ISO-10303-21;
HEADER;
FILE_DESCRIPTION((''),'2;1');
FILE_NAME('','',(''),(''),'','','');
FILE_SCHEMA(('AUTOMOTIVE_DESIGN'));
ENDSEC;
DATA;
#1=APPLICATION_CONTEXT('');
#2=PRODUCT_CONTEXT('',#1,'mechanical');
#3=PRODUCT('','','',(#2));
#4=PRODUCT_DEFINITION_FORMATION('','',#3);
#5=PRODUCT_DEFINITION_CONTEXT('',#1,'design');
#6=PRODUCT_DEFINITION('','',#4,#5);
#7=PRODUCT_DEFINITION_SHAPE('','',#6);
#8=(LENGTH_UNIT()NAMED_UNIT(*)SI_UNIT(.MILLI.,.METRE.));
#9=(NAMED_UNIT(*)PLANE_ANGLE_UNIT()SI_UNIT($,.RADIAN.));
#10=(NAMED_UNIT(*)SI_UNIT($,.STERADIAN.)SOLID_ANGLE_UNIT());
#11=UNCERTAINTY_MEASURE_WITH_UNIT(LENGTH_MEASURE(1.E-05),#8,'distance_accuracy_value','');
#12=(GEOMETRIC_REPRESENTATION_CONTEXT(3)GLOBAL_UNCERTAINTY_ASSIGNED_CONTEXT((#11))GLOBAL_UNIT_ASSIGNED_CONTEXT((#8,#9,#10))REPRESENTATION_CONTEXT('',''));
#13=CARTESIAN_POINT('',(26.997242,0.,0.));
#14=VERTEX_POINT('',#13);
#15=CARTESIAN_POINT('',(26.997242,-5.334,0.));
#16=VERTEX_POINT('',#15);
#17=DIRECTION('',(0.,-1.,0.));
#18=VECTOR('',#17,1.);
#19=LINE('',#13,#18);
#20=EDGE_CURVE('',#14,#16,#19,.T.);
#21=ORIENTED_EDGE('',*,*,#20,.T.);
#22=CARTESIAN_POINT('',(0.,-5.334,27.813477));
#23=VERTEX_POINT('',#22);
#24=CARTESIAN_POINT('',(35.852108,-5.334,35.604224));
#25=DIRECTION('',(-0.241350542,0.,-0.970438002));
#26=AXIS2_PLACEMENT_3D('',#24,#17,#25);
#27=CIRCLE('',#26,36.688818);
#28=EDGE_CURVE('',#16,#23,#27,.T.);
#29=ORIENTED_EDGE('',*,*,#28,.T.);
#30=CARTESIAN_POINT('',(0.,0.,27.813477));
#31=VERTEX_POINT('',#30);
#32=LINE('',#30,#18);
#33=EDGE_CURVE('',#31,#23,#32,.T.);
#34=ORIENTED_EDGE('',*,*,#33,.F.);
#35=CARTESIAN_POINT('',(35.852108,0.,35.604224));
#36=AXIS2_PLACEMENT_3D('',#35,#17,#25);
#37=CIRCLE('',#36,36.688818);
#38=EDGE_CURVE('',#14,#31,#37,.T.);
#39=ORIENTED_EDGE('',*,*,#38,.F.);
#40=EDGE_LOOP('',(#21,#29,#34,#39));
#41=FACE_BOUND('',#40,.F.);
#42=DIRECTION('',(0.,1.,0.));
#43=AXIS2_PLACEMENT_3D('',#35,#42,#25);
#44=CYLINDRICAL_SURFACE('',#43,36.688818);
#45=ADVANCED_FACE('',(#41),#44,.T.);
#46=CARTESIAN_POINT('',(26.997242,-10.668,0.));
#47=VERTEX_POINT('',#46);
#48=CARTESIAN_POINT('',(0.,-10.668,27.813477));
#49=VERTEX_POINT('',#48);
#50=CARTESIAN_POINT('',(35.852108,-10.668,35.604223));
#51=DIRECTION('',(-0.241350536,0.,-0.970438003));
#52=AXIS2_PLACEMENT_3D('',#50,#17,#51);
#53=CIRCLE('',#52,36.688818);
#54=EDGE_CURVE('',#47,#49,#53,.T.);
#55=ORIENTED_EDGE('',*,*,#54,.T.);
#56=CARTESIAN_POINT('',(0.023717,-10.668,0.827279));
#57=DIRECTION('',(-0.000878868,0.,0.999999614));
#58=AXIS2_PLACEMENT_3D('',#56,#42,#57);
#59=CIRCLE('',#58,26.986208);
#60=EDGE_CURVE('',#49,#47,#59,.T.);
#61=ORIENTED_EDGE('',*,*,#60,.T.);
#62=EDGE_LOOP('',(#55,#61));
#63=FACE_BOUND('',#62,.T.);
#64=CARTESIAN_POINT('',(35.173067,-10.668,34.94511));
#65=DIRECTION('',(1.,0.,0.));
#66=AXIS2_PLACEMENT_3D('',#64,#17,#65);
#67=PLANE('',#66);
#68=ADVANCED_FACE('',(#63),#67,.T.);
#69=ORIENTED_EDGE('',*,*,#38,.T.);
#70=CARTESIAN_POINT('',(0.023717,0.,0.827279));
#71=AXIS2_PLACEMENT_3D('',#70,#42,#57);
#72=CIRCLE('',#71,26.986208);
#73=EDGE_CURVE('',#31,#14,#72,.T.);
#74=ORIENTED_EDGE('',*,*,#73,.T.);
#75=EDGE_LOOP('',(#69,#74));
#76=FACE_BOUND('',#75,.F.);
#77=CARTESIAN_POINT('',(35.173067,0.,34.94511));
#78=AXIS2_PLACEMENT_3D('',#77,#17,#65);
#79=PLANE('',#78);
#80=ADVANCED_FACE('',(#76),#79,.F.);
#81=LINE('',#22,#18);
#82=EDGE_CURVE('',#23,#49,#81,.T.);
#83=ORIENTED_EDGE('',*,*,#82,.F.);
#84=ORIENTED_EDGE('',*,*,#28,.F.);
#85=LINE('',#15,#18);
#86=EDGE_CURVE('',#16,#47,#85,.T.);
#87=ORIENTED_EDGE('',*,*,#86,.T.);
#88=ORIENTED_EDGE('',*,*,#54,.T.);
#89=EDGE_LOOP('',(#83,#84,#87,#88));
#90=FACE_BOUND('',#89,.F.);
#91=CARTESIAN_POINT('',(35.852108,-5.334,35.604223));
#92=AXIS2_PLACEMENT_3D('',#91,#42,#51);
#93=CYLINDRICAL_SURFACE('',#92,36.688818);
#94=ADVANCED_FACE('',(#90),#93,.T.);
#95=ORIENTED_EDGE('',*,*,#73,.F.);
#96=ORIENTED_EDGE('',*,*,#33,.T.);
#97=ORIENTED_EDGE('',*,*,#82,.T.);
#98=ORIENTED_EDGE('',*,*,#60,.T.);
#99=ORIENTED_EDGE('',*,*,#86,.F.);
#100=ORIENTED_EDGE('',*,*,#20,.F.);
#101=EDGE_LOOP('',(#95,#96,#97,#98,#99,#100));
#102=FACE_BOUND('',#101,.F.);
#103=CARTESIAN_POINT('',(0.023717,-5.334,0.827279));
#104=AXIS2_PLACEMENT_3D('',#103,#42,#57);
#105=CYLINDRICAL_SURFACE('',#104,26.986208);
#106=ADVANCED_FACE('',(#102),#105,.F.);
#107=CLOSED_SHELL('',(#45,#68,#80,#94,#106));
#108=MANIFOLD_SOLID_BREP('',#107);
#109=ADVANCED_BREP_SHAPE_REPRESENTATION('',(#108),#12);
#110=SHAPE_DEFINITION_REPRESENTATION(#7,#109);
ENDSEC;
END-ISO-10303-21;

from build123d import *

# Parameters (mm, degrees)
F1_DEPTH = 5.334
F2_DEPTH = 5.334


with BuildPart() as f1:
    # F0 (on Front) → F1 (new body)
    with BuildSketch(Plane.XZ):
        with BuildLine():
            ThreePointArc((0, 27.813477), (19.38787, 19.623157), (26.997242, 0))
            ThreePointArc((26.997242, 0), (62.178441, 61.157963), (0, 27.813477))
        make_face()
    extrude(amount=F1_DEPTH)

    # F1_face (on face) → F2 (join)
    with BuildSketch(Plane(origin=(37.887512, -5.334, 37.579895), x_dir=(1, 0, 0), z_dir=(0, -1, 0))):
        with BuildLine():
            ThreePointArc((-37.887512, -9.766418), (-18.499642, -17.956738), (-10.89027, -37.579895))
            ThreePointArc((-10.89027, -37.579895), (24.290928, 23.578068), (-37.887512, -9.766418))
        make_face()
    extrude(amount=F2_DEPTH)


solid = f1.part
